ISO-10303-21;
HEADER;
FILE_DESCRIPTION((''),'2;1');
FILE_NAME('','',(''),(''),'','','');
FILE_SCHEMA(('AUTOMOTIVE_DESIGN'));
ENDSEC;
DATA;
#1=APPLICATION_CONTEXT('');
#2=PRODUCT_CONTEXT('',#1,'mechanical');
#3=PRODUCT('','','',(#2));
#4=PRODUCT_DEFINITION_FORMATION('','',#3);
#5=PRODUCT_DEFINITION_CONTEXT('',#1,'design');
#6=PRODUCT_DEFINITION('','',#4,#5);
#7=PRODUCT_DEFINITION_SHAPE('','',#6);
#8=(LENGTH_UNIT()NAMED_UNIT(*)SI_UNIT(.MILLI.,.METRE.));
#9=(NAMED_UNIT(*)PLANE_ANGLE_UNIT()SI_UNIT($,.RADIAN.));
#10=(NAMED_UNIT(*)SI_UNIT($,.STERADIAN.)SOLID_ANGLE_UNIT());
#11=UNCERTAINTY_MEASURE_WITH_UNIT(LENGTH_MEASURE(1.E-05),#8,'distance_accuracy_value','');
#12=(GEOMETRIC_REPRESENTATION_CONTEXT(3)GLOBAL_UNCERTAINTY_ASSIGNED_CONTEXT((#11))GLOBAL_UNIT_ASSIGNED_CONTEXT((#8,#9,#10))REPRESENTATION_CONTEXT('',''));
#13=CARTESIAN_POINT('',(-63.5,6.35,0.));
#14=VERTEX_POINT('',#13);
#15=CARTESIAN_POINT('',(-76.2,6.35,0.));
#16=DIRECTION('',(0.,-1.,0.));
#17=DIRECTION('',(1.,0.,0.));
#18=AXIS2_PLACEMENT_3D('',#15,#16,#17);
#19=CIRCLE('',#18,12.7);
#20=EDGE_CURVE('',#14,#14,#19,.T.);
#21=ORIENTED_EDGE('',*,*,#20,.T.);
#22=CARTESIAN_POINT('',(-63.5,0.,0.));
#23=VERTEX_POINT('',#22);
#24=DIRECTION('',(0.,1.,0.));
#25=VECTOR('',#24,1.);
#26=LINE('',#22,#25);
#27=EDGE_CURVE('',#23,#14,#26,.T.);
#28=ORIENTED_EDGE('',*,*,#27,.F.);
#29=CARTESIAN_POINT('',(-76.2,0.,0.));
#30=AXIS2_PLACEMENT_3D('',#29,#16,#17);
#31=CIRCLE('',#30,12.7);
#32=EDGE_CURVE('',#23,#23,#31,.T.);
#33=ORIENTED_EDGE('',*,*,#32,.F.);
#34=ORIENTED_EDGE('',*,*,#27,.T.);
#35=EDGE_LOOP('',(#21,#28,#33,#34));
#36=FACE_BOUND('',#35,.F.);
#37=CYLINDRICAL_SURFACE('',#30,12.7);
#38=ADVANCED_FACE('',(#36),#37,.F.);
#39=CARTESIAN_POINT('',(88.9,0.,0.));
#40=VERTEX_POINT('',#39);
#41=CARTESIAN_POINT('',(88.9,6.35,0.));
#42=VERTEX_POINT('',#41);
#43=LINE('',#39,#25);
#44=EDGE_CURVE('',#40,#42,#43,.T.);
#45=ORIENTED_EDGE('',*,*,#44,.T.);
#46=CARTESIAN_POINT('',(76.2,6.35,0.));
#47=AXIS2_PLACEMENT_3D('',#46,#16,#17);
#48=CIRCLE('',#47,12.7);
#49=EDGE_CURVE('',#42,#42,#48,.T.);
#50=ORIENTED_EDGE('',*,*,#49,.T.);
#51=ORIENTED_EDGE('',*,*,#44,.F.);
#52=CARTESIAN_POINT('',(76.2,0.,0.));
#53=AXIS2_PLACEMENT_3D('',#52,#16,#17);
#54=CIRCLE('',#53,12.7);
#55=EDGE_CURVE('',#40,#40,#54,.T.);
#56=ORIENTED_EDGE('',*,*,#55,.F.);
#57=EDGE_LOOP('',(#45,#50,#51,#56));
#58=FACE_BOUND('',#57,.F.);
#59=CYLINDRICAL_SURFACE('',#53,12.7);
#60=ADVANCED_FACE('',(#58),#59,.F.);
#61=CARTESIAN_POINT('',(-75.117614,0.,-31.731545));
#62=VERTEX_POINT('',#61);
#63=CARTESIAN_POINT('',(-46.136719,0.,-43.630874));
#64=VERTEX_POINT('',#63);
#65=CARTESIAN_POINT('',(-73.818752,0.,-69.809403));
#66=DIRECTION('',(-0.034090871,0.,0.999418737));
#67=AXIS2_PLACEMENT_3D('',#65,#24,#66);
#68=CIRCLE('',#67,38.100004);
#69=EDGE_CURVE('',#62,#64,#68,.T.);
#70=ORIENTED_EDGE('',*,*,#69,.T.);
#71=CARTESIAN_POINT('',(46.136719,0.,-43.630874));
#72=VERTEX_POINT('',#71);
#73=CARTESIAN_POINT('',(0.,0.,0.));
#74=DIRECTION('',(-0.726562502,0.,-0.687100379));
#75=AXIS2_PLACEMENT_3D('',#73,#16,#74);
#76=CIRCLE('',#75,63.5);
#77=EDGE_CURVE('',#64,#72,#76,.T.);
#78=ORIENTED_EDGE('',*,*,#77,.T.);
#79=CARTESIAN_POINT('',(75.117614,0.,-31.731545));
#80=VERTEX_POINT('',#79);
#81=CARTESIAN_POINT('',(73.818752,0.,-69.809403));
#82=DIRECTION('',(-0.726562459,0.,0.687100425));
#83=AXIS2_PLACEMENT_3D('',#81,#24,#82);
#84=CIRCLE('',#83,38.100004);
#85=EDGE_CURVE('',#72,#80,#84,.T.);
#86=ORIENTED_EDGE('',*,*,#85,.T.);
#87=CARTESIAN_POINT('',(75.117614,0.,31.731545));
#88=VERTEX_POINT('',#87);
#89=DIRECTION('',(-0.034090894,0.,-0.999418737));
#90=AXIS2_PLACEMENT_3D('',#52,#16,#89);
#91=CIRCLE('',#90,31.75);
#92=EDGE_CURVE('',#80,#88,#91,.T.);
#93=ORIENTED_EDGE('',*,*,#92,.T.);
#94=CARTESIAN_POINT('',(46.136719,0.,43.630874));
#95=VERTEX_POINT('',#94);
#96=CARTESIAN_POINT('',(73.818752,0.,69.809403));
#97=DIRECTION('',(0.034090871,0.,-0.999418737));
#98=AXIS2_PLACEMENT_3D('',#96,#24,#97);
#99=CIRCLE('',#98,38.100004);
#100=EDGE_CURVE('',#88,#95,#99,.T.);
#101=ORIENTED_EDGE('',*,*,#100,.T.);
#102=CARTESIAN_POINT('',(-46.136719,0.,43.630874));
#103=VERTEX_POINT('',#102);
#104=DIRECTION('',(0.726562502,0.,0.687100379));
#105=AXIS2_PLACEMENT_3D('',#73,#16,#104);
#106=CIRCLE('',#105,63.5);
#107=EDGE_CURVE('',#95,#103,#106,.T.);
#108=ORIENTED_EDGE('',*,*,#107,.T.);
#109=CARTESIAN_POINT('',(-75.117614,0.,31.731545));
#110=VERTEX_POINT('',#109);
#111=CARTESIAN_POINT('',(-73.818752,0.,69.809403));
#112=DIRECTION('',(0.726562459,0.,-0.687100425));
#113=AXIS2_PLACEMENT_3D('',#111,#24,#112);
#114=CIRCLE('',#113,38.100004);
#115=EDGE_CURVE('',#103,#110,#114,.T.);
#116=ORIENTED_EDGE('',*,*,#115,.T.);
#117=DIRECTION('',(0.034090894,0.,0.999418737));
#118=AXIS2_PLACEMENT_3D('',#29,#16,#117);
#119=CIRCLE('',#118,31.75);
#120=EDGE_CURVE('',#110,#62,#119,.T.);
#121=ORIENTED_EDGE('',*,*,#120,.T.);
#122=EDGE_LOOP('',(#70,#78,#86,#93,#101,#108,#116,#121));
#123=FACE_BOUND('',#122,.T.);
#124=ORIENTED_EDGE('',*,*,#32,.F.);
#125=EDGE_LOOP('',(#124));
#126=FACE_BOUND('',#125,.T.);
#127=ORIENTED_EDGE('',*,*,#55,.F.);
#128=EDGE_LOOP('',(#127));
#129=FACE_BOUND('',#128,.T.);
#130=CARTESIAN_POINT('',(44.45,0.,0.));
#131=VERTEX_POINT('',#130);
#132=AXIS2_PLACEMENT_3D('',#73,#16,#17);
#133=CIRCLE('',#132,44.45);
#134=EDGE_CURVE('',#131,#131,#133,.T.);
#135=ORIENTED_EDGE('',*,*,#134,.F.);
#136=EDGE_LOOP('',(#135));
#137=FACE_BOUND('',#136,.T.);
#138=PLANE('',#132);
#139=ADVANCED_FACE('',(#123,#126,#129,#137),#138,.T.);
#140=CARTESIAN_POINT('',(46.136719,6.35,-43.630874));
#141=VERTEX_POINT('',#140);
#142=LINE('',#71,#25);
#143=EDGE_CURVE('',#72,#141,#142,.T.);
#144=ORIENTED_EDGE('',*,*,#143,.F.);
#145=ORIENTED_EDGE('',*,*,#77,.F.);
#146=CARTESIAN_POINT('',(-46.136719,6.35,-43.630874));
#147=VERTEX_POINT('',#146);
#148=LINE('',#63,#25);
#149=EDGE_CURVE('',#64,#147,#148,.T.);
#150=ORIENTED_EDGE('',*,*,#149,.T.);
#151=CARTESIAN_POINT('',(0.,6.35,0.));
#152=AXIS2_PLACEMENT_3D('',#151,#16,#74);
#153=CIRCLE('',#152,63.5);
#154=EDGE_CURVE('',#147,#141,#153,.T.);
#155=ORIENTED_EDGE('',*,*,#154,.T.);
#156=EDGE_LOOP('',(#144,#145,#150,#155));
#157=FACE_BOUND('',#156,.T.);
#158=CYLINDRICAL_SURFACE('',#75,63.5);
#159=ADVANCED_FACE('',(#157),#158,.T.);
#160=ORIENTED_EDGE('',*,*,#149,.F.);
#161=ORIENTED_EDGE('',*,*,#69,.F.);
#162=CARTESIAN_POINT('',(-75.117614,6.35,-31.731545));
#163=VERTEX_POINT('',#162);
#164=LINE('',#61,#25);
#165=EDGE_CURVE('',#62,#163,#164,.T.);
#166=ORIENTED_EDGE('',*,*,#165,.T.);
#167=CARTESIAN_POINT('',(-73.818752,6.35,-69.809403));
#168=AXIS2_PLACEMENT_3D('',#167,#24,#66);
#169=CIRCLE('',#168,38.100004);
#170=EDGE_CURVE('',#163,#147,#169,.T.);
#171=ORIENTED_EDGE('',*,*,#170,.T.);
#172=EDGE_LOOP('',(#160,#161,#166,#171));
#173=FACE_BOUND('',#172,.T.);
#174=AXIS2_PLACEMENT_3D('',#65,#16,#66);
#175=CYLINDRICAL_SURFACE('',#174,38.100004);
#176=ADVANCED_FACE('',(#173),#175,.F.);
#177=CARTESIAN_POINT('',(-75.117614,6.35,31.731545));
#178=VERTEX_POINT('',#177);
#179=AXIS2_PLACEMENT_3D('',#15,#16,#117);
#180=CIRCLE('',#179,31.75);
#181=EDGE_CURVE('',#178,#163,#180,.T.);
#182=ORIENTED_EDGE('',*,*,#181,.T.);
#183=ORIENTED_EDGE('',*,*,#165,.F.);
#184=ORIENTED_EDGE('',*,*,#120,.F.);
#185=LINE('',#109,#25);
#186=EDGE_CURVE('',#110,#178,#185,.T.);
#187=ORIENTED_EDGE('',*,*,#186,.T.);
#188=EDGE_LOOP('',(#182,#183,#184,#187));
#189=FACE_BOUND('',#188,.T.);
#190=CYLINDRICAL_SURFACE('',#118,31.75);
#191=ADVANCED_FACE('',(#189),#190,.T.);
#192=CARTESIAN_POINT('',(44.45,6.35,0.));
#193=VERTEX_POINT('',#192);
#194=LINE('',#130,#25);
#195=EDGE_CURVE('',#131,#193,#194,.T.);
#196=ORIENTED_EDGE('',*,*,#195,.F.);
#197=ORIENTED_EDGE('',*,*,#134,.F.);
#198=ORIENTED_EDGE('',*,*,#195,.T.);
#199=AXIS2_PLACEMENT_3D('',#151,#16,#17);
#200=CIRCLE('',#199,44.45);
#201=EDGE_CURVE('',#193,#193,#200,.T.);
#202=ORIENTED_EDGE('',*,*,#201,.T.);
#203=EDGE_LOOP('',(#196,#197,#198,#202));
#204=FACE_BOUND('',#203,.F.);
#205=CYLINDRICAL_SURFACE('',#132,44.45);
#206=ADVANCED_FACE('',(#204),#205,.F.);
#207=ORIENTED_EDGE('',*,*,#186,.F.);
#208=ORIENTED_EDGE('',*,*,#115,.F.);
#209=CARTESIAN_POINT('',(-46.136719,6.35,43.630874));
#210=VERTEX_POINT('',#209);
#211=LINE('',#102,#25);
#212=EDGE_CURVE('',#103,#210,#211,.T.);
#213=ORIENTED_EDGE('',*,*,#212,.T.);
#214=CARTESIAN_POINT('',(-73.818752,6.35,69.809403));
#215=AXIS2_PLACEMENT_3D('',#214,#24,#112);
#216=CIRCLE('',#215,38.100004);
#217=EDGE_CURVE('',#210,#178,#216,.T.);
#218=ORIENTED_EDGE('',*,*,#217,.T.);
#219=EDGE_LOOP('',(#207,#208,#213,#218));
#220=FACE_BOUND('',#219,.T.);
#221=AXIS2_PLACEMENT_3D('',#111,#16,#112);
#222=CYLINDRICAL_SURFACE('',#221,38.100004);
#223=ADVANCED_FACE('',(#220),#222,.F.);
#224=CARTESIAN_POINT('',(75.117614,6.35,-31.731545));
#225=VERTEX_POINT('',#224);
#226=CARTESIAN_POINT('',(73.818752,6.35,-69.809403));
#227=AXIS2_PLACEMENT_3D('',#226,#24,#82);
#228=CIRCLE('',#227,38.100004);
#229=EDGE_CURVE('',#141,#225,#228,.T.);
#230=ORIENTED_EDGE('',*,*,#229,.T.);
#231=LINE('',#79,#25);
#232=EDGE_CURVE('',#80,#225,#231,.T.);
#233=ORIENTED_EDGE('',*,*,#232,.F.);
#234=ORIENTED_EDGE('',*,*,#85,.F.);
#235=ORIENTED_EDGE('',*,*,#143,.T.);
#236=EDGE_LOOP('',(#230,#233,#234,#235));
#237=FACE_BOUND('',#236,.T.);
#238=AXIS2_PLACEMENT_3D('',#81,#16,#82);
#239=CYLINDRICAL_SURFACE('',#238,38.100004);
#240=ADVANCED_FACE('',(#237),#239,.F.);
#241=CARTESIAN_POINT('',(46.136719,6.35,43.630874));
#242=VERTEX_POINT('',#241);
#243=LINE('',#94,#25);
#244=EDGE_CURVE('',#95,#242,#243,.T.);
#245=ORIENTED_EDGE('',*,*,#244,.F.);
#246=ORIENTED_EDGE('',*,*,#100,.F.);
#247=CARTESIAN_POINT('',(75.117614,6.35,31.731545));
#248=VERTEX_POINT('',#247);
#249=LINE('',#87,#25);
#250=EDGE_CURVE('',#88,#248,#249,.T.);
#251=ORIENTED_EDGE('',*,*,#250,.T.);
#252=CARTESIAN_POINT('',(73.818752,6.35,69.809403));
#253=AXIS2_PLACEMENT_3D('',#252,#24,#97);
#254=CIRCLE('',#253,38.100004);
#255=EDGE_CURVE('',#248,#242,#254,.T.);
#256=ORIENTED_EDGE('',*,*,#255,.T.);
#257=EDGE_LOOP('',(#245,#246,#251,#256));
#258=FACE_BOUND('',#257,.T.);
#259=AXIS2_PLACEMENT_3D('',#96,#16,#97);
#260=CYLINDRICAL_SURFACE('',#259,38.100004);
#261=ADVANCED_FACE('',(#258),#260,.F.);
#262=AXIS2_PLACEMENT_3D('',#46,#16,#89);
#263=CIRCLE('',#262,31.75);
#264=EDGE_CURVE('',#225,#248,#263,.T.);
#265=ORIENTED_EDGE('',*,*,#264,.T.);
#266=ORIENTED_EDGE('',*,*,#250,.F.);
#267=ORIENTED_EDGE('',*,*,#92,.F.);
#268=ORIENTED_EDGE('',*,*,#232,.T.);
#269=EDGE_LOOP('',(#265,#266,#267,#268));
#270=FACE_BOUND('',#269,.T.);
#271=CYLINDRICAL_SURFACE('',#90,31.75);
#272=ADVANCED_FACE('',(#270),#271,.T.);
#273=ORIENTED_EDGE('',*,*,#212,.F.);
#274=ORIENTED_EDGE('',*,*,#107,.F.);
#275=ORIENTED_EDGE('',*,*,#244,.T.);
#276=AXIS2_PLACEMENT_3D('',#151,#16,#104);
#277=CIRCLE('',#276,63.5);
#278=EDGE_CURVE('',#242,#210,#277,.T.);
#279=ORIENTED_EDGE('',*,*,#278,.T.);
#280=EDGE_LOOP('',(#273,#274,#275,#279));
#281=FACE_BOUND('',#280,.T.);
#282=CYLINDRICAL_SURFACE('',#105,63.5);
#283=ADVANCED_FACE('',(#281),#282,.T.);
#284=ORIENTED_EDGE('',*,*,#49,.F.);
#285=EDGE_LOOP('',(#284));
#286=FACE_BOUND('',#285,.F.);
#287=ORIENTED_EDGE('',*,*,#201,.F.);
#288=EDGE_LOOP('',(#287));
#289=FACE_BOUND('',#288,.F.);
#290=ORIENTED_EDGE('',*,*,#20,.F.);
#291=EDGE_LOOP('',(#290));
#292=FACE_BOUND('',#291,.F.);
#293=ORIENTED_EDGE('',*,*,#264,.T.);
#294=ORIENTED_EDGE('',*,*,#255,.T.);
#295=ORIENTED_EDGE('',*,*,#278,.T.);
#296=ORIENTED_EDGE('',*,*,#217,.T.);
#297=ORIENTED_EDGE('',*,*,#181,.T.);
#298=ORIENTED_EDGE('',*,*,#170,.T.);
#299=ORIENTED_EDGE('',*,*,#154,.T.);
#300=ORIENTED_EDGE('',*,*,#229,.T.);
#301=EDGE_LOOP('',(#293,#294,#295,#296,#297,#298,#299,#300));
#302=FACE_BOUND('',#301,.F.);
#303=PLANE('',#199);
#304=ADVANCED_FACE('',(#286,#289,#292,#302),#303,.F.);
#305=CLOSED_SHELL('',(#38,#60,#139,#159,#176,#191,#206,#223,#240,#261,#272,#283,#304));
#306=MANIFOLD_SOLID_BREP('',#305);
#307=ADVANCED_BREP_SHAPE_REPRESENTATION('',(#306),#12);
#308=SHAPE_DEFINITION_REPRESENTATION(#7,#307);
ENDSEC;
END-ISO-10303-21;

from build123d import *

# Parameters (mm, degrees)
F0_R     = 12.7
F0_R_2   = 44.45
F1_DEPTH = 6.35


with BuildPart() as f1:
    # F0 (on Front) → F1 (new body)
    with BuildSketch(Plane.XZ):
        with BuildLine():
            ThreePointArc((-75.117614, -31.731545), (-59.347524, -34.564632), (-46.136719, -43.630874))
            ThreePointArc((-46.136719, -43.630874), (0, -63.5), (46.136719, -43.630874))
            ThreePointArc((46.136719, -43.630874), (59.347524, -34.564632), (75.117614, -31.731545))
            ThreePointArc((75.117614, -31.731545), (107.95, 0), (75.117614, 31.731545))
            ThreePointArc((75.117614, 31.731545), (59.347524, 34.564632), (46.136719, 43.630874))
            ThreePointArc((46.136719, 43.630874), (0, 63.5), (-46.136719, 43.630874))
            ThreePointArc((-46.136719, 43.630874), (-59.347524, 34.564632), (-75.117614, 31.731545))
            ThreePointArc((-75.117614, 31.731545), (-107.95, 0), (-75.117614, -31.731545))
        make_face()
        with Locations((-76.2, 0)):
            Circle(F0_R, mode=Mode.SUBTRACT)
        Circle(F0_R_2, mode=Mode.SUBTRACT)
        with Locations((76.2, 0)):
            Circle(F0_R, mode=Mode.SUBTRACT)
    extrude(amount=-F1_DEPTH)


solid = f1.part
